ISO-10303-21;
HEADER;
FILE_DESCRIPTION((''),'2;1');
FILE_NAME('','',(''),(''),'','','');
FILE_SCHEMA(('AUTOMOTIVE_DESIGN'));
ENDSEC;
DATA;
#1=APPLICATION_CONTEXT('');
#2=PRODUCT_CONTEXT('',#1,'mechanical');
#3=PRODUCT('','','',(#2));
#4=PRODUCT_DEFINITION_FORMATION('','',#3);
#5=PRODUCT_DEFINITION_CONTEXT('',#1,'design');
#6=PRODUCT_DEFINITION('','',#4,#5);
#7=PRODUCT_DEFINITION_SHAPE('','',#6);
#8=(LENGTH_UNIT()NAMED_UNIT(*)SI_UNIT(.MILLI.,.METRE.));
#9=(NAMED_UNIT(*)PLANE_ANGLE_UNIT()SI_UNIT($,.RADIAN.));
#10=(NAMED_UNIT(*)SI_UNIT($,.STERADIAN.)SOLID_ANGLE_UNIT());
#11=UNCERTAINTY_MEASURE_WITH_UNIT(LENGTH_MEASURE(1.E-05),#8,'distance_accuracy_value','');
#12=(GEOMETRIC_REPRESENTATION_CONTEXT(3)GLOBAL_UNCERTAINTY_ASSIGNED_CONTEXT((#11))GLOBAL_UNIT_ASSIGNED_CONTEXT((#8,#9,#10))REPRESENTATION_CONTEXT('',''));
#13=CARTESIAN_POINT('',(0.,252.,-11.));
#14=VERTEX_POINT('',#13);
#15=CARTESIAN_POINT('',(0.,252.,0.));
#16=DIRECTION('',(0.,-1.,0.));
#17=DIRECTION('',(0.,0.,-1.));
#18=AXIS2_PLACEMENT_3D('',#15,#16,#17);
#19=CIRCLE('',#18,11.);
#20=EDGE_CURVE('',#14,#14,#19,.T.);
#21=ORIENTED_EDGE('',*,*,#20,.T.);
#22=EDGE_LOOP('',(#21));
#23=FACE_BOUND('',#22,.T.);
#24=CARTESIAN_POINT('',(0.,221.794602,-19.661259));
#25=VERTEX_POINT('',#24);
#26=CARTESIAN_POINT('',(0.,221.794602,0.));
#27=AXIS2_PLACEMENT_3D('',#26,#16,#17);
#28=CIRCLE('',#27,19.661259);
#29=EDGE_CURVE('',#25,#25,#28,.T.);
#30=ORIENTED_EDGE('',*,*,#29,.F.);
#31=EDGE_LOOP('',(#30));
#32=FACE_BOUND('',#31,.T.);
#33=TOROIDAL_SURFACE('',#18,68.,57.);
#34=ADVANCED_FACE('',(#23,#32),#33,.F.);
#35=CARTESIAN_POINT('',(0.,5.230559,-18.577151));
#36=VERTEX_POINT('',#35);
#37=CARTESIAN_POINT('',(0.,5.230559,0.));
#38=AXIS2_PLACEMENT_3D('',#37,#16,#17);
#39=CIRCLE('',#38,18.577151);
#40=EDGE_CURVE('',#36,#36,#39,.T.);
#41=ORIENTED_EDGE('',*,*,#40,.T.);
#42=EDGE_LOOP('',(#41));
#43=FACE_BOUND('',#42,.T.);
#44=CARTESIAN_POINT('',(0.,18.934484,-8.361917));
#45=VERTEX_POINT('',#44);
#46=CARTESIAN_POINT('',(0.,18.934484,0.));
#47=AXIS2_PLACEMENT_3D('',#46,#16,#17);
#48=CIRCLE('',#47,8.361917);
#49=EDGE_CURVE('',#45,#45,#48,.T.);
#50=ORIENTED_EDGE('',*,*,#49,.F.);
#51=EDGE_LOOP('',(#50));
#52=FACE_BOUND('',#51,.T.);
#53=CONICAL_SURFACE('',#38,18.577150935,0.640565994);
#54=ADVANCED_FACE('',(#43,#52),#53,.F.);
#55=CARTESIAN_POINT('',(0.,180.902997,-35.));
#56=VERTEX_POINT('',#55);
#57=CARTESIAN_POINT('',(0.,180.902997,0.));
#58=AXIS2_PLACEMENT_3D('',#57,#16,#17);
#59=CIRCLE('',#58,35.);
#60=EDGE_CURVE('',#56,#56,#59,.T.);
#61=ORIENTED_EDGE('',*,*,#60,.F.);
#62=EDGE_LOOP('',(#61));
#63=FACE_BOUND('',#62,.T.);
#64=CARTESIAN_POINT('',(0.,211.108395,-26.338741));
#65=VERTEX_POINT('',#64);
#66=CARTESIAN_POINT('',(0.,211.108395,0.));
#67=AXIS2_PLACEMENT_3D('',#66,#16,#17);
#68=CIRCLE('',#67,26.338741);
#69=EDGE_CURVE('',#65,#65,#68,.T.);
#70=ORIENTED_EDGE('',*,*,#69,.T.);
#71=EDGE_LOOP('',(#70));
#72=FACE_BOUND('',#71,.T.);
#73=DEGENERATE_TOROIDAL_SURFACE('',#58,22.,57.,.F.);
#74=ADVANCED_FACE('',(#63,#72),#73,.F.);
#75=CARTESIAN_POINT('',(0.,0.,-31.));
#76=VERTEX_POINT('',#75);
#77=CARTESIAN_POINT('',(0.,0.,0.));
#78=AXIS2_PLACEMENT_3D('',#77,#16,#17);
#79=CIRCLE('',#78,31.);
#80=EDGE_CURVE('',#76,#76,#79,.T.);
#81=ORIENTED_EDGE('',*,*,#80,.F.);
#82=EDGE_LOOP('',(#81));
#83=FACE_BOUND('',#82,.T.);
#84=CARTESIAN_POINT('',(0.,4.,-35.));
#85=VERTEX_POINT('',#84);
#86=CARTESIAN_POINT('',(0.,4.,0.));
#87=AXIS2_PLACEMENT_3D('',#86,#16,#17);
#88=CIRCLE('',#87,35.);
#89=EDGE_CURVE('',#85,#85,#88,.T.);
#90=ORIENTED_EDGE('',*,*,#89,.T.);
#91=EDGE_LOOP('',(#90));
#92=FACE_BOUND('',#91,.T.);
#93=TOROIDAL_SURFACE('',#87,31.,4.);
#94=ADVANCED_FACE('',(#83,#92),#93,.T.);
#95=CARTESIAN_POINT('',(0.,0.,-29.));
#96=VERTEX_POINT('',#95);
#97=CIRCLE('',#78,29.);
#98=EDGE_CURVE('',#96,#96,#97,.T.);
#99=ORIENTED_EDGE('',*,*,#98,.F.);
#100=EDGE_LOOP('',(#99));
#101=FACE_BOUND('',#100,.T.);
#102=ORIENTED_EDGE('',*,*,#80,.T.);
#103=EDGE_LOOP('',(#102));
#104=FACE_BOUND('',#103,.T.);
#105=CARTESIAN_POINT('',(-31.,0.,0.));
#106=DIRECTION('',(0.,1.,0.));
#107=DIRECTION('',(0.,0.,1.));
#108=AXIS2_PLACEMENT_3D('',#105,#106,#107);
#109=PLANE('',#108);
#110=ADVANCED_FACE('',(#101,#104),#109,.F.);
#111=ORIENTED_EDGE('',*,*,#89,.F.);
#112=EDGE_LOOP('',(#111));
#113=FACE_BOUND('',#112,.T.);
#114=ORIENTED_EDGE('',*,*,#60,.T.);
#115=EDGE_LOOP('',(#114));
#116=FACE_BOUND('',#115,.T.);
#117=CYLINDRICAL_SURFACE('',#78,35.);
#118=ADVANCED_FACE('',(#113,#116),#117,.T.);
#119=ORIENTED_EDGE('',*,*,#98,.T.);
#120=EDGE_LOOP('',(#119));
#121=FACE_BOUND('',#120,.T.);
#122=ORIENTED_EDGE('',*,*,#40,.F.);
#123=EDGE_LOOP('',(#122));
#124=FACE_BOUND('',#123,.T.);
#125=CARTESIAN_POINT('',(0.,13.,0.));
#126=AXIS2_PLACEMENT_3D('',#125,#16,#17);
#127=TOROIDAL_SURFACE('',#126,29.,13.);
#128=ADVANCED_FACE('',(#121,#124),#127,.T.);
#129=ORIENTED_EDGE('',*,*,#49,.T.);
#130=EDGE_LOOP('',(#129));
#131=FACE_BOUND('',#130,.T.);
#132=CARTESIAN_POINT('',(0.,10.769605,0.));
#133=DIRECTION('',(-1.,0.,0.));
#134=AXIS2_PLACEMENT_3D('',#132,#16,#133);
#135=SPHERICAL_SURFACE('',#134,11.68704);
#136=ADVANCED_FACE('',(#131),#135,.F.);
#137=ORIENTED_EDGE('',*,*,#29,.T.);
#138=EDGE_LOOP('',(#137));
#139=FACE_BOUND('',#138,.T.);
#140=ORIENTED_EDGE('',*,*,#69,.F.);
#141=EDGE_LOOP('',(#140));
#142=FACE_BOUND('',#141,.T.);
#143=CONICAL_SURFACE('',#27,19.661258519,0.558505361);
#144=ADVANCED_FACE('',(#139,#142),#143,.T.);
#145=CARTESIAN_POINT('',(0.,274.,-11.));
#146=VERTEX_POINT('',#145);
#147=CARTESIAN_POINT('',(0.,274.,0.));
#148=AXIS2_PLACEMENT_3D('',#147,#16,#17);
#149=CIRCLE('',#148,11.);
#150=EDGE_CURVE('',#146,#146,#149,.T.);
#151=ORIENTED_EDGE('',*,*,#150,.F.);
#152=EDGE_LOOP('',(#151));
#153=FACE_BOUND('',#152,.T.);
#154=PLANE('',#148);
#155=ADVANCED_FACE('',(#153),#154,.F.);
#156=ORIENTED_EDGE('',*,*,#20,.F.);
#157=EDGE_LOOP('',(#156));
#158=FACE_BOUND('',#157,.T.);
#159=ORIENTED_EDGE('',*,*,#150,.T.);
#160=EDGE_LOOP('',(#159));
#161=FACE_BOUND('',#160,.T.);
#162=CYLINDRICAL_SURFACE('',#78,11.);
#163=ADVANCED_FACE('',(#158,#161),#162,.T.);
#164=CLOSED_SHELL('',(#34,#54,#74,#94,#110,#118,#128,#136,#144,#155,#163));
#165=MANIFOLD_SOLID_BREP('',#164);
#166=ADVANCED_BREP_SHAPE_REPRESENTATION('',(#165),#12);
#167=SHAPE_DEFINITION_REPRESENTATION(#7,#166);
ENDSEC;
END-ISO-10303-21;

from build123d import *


with BuildPart() as part:
    # Sketch2 → Revolve1 (revolve)
    with BuildSketch(Plane.XY):
        with BuildLine():
            Line((0, 274), (-11, 274))
            Line((-11, 274), (-11, 252))
            ThreePointArc((-11, 252), (-13.208083332, 236.288670718), (-19.661258519, 221.794601939))
            Line((-19.661258519, 221.794601939), (-26.338741481, 211.108395388))
            ThreePointArc((-26.338741481, 211.108395388), (-32.791916668, 196.614326608), (-35, 180.902997327))
            Line((-35, 180.902997327), (-35, 4))
            ThreePointArc((-35, 4), (-33.828427125, 1.171572875), (-31, 0))
            Line((-31, 0), (-29, 0))
            ThreePointArc((-29, 0), (-23.169165423, 1.380991086), (-18.577150935, 5.230558749))
            Line((-18.577150935, 5.230558749), (-8.361917252, 18.934483574))
            ThreePointArc((-8.361917252, 18.934483574), (-4.536719094, 21.540170522), (0, 22.456644901))
            Line((0, 22.456644901), (0, 274))
        make_face()
    revolve(axis=Axis((0, 0, 0), (0, 1, 0)))


solid = part.part
